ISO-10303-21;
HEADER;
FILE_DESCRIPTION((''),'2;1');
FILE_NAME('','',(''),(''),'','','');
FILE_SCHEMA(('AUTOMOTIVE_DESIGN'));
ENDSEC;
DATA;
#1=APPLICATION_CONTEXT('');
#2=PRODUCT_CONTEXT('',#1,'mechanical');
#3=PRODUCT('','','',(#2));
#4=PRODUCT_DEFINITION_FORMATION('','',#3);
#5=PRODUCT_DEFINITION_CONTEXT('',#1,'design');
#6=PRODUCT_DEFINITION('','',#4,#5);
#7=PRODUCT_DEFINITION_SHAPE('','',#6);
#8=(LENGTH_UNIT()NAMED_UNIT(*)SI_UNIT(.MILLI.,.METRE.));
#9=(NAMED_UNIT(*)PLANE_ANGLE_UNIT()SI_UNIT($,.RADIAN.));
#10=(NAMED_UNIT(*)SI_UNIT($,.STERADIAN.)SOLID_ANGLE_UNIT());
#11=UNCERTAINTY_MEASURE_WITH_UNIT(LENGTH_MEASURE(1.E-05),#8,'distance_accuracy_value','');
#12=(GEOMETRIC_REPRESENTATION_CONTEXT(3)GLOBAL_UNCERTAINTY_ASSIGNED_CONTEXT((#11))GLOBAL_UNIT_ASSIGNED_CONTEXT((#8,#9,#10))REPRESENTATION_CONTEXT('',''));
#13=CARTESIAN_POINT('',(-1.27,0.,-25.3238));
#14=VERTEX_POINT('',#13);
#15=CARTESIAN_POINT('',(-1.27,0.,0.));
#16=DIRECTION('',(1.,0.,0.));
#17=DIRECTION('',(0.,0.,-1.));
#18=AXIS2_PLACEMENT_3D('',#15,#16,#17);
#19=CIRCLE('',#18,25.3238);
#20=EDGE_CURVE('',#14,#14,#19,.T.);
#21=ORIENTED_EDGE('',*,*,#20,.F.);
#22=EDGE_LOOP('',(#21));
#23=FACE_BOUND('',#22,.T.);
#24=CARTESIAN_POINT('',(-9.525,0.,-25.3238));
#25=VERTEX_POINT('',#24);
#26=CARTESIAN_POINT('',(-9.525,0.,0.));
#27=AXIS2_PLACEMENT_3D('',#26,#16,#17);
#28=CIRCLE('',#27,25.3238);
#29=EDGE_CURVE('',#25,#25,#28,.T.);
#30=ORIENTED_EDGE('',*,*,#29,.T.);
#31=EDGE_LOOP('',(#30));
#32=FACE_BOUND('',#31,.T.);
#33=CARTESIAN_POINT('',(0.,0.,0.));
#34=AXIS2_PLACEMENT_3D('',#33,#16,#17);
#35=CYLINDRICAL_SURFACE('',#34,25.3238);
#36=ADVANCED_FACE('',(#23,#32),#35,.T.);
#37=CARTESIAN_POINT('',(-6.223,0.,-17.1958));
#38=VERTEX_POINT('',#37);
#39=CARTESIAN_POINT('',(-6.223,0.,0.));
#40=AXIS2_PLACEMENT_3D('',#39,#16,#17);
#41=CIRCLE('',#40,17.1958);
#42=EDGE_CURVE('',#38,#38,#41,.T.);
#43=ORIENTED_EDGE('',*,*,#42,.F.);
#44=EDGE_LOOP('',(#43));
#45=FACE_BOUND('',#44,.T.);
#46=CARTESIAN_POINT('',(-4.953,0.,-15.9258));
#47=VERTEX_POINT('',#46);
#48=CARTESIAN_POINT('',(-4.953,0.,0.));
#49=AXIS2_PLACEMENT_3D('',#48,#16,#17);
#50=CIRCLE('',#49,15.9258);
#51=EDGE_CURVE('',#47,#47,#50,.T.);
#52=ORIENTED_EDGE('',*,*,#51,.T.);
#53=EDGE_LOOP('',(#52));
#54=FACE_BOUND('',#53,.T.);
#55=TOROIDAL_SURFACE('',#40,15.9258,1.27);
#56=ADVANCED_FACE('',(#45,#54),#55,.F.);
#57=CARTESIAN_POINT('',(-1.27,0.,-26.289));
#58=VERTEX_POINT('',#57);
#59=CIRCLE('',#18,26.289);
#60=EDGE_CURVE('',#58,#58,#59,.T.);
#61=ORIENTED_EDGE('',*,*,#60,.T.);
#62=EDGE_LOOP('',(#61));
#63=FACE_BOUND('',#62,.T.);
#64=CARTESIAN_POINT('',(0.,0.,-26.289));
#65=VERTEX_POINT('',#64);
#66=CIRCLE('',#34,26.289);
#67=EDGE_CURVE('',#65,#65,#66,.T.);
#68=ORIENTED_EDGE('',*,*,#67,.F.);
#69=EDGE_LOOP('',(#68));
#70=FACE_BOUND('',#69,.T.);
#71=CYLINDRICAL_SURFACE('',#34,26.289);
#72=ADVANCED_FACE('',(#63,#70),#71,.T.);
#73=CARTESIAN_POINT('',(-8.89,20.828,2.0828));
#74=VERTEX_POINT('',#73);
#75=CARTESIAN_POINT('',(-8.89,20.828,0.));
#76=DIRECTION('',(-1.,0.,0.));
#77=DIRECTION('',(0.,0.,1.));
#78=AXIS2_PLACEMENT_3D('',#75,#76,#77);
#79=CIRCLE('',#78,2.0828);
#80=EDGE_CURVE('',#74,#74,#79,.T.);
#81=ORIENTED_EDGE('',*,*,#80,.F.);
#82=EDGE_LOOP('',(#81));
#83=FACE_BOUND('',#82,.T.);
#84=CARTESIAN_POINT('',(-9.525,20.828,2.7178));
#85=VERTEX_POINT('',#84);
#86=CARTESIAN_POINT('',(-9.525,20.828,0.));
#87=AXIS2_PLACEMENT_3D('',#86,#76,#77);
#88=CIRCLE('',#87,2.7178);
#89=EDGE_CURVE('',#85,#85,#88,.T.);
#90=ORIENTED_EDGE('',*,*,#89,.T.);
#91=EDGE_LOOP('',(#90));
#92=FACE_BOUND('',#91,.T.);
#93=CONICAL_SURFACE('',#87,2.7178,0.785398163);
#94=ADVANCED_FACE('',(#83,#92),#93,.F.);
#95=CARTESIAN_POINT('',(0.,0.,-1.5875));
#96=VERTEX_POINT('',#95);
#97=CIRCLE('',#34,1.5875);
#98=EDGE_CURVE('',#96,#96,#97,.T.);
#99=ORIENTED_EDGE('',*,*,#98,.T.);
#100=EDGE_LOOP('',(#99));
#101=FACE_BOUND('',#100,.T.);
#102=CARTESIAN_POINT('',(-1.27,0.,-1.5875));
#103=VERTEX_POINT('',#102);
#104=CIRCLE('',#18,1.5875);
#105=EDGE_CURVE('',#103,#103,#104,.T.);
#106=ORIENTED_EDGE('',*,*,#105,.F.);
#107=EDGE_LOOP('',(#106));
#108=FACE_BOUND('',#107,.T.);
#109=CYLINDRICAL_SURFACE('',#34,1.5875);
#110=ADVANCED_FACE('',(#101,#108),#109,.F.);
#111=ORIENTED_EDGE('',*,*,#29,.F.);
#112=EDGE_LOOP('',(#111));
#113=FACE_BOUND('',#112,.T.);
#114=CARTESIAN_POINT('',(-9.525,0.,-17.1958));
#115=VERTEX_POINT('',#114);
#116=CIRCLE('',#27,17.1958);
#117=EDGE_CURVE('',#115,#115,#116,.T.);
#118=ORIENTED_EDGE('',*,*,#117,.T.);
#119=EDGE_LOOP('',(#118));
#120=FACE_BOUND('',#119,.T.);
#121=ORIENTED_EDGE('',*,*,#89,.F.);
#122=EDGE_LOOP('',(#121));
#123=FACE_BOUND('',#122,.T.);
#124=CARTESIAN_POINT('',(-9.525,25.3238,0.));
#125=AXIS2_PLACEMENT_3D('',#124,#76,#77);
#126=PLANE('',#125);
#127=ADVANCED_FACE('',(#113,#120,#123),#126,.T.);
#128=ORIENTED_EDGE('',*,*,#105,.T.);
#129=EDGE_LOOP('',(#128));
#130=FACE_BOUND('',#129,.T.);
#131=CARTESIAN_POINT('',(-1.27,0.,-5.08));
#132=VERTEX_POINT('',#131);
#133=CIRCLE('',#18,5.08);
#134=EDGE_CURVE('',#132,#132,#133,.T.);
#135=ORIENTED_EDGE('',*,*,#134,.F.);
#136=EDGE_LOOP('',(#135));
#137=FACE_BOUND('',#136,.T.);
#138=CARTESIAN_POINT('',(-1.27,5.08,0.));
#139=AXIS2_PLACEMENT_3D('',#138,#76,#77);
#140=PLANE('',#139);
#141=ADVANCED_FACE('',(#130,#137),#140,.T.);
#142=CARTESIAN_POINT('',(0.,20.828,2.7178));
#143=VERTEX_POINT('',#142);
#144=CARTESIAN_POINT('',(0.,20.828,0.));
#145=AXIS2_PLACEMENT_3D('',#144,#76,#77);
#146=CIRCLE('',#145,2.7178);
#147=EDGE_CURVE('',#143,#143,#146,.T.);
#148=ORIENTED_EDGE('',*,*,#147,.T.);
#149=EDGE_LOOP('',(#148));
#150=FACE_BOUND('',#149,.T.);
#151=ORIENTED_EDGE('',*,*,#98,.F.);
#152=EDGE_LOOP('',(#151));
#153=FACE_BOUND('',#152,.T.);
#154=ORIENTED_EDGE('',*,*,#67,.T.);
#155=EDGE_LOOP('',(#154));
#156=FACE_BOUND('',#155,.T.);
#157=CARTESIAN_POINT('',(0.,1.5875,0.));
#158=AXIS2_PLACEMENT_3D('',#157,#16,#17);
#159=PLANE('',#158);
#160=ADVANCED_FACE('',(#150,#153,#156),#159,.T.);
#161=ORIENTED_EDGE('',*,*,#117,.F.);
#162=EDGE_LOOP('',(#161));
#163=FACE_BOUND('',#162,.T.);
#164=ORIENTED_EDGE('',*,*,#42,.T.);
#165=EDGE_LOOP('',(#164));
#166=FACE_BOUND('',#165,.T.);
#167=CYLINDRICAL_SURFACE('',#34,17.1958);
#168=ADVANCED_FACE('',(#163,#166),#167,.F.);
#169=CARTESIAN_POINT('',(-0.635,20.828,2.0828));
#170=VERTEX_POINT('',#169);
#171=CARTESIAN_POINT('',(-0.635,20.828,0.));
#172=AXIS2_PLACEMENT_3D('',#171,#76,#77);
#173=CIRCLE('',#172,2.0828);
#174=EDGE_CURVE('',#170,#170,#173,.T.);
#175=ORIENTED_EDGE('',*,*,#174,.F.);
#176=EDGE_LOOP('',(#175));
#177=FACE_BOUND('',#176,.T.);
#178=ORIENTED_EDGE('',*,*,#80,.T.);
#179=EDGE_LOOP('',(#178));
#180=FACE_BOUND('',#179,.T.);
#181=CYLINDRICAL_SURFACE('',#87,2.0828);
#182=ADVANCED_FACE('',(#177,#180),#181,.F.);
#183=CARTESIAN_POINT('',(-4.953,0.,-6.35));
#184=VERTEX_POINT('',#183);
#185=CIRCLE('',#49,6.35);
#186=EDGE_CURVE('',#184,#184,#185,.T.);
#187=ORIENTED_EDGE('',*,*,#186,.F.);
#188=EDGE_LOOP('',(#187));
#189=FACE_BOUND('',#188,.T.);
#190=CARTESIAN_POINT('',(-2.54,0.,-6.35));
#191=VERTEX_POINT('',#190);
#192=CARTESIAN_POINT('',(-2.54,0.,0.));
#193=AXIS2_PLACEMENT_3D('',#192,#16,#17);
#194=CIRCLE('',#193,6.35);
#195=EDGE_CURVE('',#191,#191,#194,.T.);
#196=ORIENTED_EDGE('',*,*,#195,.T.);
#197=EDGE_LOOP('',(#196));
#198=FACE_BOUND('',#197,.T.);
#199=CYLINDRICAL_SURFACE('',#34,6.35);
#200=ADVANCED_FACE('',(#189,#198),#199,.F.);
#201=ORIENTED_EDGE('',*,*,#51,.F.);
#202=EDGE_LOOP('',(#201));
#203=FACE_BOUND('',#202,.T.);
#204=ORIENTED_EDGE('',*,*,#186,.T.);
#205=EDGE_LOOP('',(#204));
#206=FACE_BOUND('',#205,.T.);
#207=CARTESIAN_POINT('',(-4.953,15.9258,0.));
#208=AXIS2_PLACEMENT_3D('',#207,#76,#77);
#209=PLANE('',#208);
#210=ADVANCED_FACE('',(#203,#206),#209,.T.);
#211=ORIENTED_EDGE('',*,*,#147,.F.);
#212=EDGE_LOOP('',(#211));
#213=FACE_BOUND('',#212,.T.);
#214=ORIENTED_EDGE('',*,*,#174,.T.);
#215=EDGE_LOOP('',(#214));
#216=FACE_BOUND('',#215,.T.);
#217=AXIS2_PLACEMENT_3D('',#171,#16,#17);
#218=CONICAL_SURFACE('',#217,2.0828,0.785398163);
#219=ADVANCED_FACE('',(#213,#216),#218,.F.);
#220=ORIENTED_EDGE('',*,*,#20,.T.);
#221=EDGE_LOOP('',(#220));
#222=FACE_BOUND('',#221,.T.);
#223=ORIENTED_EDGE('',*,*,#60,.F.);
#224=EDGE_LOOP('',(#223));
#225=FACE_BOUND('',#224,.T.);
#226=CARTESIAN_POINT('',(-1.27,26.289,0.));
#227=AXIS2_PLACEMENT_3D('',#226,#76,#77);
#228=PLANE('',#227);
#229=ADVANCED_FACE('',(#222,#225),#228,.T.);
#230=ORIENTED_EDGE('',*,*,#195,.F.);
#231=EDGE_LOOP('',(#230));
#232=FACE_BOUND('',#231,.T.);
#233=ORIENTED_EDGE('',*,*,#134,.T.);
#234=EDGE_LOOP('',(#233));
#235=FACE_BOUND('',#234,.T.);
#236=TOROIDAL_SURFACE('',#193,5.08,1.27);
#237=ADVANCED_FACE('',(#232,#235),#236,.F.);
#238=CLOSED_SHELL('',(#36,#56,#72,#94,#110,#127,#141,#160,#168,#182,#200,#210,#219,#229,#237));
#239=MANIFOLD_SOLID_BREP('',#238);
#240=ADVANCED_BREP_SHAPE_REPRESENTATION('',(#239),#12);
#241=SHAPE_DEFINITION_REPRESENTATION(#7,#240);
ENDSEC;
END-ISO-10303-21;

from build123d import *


with BuildPart() as part:
    # Sketch1 → Revolve1 (revolve)
    with BuildSketch(Plane.XY, mode=Mode.PRIVATE) as revolve1_sk:
        with BuildLine():
            Line((0, 1.5875), (0, 26.289))
            Line((0, 26.289), (-1.27, 26.289))
            Line((-1.27, 26.289), (-1.27, 25.3238))
            Line((-1.27, 25.3238), (-9.525, 25.3238))
            Line((-9.525, 25.3238), (-9.525, 17.1958))
            Line((-9.525, 17.1958), (-6.223, 17.1958))
            ThreePointArc((-6.223, 17.1958), (-5.324974388, 16.823825612), (-4.953, 15.9258))
            Line((-4.953, 15.9258), (-4.953, 6.35))
            Line((-4.953, 6.35), (-2.54, 6.35))
            ThreePointArc((-2.54, 6.35), (-1.641974388, 5.978025612), (-1.27, 5.08))
            Line((-1.27, 5.08), (-1.27, 1.5875))
            Line((-1.27, 1.5875), (0, 1.5875))
        make_face()
    revolve(revolve1_sk.sketch.rotate(Axis((0, 0, 0), (-1, 0, 0)), 90), axis=Axis((0, 0, 0), (-1, 0, 0)))  # turned: the seam where the file's is

    # Sketch3 → #8-32 Tapped Hole1 (revolve, cut)
    with BuildSketch(Plane(origin=(-9.525, 20.828, 0), x_dir=(0, 0, 1), z_dir=(0, 1, 0))):
        Polygon((0, 0), (0, 9.525), (2.7178, 9.525), (2.0828, 8.89), (2.0828, 0.635), (2.7178, 0), align=None)
    revolve(axis=Axis((-15.875, 20.828, 0), (1, 0, 0)), mode=Mode.SUBTRACT)


solid = part.part
